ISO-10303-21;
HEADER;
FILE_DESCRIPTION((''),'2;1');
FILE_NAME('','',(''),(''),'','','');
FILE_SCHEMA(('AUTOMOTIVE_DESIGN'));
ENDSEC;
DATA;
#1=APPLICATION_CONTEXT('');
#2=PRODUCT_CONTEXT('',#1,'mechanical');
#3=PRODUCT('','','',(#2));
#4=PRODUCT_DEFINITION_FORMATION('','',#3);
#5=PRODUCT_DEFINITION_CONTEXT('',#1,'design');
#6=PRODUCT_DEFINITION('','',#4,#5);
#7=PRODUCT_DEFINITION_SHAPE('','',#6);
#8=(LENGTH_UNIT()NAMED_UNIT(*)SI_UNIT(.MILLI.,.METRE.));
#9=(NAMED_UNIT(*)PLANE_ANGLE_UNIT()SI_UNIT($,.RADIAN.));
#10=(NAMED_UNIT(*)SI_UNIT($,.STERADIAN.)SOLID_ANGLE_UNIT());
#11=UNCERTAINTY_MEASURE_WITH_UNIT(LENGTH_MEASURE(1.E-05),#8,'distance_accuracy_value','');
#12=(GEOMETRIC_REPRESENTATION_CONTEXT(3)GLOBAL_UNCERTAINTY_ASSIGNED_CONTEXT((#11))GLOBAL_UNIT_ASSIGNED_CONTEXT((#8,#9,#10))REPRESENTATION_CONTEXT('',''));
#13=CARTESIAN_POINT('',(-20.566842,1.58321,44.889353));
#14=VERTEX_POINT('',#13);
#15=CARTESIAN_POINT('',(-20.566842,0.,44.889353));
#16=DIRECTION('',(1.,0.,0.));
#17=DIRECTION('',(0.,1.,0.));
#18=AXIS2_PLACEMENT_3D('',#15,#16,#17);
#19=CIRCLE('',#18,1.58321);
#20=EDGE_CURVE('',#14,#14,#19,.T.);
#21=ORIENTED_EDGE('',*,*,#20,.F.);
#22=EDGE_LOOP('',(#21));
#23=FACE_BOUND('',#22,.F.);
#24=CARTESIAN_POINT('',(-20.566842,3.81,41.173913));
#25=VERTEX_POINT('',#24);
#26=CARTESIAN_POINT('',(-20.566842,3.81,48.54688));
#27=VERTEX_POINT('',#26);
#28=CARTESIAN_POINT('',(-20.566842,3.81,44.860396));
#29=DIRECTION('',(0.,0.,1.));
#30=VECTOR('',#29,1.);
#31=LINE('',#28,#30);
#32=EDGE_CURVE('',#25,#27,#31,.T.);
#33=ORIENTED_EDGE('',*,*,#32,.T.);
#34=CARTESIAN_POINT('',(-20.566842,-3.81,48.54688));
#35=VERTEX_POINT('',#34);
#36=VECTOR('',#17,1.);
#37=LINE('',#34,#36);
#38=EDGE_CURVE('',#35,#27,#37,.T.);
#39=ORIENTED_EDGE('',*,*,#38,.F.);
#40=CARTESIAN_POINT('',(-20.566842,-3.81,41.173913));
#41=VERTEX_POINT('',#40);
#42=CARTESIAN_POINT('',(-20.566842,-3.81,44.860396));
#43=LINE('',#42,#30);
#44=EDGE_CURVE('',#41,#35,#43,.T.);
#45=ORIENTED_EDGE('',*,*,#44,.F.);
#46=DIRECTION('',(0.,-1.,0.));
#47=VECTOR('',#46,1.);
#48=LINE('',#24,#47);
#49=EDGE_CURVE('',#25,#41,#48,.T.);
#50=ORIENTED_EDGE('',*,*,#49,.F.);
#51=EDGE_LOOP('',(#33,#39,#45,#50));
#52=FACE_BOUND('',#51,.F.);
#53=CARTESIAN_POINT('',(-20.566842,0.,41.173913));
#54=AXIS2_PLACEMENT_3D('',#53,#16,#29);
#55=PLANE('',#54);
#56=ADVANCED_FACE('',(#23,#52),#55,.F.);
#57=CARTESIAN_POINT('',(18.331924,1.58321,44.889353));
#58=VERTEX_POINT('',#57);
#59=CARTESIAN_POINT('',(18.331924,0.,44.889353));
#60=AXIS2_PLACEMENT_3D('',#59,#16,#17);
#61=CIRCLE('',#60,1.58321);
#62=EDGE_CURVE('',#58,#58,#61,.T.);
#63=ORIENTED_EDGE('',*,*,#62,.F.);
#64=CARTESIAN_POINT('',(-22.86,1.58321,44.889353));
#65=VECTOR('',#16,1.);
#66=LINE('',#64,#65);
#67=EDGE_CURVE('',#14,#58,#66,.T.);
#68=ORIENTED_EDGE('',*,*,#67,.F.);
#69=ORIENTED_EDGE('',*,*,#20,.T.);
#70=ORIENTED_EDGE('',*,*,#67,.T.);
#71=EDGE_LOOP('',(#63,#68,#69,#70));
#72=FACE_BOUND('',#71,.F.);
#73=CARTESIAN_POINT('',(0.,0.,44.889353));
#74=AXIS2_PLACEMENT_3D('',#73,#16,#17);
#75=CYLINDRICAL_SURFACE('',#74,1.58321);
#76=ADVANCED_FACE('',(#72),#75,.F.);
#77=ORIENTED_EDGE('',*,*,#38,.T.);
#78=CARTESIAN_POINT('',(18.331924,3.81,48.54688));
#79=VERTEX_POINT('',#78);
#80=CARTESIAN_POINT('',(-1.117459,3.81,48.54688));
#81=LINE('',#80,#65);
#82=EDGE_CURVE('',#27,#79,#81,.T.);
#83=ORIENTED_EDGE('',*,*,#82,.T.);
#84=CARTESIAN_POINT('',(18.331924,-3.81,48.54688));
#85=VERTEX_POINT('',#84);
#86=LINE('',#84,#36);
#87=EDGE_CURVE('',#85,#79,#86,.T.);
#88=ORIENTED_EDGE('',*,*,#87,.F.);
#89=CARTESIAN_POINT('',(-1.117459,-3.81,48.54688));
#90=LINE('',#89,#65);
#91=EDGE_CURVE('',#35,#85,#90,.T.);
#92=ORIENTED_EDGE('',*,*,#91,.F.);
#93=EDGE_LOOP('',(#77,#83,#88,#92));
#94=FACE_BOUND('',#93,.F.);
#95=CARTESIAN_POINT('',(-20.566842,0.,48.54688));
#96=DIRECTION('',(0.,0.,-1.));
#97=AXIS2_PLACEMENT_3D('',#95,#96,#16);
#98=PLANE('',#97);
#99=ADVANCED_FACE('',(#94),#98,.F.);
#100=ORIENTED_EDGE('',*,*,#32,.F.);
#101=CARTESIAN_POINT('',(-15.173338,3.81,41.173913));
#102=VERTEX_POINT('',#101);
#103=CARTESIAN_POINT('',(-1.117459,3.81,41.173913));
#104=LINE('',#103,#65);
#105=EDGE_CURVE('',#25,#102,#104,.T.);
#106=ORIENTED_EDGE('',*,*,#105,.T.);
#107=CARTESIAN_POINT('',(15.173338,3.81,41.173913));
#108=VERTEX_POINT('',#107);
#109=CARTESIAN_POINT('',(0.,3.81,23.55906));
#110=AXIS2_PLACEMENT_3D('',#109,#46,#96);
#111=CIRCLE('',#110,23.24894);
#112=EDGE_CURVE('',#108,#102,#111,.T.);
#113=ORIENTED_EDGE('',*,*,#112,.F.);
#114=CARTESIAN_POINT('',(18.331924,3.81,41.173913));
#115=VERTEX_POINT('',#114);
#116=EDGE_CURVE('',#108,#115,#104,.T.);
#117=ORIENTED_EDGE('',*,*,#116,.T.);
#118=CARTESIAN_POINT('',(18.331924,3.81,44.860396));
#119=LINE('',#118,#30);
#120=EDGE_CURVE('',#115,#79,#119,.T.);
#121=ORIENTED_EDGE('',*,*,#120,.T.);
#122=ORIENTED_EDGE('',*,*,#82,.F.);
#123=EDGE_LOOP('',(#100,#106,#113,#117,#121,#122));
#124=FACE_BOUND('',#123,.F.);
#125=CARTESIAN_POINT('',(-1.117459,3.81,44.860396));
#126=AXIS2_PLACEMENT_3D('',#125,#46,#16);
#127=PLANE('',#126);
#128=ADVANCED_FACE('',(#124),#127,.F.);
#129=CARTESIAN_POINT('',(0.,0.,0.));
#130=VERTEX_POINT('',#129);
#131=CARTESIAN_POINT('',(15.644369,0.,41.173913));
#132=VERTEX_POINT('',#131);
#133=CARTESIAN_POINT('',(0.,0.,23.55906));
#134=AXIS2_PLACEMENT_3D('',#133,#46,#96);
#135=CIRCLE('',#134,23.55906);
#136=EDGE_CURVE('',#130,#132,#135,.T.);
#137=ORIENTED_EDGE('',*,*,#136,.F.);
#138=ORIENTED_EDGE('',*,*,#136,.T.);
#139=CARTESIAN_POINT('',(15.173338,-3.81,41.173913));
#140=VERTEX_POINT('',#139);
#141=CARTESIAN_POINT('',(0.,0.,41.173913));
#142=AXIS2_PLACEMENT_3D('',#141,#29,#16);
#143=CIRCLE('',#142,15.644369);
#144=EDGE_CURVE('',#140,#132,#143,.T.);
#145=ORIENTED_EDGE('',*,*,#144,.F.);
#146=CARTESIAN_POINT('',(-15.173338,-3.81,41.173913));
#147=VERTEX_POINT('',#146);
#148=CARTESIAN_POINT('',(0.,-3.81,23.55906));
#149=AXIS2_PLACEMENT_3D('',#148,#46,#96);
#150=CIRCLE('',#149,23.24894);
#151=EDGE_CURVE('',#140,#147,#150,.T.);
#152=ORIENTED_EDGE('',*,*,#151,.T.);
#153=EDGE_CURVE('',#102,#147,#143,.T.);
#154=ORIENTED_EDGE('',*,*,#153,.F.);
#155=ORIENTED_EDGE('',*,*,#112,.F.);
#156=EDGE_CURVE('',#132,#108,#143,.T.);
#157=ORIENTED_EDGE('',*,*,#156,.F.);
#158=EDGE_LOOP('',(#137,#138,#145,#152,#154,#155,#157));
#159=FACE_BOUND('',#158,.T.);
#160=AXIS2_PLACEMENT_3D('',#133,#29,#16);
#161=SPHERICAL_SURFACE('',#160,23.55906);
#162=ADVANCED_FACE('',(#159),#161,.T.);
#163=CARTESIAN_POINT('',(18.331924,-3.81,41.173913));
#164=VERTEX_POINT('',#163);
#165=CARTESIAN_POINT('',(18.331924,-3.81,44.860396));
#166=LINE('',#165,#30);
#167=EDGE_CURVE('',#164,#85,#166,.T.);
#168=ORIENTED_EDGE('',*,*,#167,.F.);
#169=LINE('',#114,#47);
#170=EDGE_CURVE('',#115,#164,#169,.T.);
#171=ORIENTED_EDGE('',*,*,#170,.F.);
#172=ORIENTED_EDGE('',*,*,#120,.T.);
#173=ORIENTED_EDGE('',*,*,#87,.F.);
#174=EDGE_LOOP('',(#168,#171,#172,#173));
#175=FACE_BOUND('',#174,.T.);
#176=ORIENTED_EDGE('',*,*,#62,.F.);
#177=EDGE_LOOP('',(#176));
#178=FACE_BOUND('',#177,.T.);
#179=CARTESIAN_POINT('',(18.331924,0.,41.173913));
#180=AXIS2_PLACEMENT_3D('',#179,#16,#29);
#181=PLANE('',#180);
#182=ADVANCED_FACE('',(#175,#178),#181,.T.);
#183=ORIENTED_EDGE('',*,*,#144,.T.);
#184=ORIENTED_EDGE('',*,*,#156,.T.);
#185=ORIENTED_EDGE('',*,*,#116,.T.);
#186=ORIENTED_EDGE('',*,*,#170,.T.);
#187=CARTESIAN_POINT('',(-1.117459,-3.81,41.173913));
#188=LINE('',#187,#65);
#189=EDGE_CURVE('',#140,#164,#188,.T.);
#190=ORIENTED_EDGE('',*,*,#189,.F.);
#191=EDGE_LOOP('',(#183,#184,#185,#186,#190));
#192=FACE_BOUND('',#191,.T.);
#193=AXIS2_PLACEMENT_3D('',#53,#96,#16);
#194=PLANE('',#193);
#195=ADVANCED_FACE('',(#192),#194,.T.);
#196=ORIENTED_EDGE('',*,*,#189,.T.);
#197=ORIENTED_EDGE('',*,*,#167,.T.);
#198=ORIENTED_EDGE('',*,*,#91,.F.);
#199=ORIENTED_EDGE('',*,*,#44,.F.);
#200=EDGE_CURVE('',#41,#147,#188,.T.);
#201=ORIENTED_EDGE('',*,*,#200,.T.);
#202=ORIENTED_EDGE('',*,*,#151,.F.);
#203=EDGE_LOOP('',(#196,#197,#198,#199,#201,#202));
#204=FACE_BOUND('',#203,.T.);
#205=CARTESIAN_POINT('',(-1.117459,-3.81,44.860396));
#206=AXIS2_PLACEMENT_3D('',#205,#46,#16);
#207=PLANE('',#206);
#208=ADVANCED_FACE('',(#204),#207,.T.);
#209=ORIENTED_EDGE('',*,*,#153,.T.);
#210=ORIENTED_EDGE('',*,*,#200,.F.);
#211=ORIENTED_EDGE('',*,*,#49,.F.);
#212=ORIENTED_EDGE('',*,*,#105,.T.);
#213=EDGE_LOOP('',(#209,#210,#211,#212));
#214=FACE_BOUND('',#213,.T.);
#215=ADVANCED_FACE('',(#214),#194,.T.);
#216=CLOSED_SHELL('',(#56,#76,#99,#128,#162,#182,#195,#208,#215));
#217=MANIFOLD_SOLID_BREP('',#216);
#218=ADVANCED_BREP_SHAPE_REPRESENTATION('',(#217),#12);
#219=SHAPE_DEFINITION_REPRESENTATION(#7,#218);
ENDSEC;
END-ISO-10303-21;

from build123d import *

# Parameters (mm, degrees)
F2_W     = 38.898766
F2_H     = 7.372967
F3_DEPTH = 3.81
F4_R     = 1.58321
F5_DEPTH = 22.86


with BuildPart() as f1:
    # F0 (on Front) → F1 (revolve)
    with BuildSketch(Plane.XZ):
        with BuildLine():
            Line((0, 47.11812), (0, 0))
            ThreePointArc((0, 0), (23.55906, 23.55906), (0, 47.11812))
        make_face()
    revolve(axis=Axis((0, 0, 23.55906), (0, 0, 1)))

    # F2 (on Front) → F3 (join, symmetric)
    with BuildSketch(Plane.XZ):
        with Locations((-1.117459, 44.860396)):
            Rectangle(F2_W, F2_H)
    extrude(amount=F3_DEPTH, both=True)

    # F4 (on Right) → F5 (cut, symmetric)
    with BuildSketch(Plane.YZ):
        with Locations((0, 44.889353)):
            Circle(F4_R)
    extrude(amount=F5_DEPTH, both=True, mode=Mode.SUBTRACT)


solid = f1.part
